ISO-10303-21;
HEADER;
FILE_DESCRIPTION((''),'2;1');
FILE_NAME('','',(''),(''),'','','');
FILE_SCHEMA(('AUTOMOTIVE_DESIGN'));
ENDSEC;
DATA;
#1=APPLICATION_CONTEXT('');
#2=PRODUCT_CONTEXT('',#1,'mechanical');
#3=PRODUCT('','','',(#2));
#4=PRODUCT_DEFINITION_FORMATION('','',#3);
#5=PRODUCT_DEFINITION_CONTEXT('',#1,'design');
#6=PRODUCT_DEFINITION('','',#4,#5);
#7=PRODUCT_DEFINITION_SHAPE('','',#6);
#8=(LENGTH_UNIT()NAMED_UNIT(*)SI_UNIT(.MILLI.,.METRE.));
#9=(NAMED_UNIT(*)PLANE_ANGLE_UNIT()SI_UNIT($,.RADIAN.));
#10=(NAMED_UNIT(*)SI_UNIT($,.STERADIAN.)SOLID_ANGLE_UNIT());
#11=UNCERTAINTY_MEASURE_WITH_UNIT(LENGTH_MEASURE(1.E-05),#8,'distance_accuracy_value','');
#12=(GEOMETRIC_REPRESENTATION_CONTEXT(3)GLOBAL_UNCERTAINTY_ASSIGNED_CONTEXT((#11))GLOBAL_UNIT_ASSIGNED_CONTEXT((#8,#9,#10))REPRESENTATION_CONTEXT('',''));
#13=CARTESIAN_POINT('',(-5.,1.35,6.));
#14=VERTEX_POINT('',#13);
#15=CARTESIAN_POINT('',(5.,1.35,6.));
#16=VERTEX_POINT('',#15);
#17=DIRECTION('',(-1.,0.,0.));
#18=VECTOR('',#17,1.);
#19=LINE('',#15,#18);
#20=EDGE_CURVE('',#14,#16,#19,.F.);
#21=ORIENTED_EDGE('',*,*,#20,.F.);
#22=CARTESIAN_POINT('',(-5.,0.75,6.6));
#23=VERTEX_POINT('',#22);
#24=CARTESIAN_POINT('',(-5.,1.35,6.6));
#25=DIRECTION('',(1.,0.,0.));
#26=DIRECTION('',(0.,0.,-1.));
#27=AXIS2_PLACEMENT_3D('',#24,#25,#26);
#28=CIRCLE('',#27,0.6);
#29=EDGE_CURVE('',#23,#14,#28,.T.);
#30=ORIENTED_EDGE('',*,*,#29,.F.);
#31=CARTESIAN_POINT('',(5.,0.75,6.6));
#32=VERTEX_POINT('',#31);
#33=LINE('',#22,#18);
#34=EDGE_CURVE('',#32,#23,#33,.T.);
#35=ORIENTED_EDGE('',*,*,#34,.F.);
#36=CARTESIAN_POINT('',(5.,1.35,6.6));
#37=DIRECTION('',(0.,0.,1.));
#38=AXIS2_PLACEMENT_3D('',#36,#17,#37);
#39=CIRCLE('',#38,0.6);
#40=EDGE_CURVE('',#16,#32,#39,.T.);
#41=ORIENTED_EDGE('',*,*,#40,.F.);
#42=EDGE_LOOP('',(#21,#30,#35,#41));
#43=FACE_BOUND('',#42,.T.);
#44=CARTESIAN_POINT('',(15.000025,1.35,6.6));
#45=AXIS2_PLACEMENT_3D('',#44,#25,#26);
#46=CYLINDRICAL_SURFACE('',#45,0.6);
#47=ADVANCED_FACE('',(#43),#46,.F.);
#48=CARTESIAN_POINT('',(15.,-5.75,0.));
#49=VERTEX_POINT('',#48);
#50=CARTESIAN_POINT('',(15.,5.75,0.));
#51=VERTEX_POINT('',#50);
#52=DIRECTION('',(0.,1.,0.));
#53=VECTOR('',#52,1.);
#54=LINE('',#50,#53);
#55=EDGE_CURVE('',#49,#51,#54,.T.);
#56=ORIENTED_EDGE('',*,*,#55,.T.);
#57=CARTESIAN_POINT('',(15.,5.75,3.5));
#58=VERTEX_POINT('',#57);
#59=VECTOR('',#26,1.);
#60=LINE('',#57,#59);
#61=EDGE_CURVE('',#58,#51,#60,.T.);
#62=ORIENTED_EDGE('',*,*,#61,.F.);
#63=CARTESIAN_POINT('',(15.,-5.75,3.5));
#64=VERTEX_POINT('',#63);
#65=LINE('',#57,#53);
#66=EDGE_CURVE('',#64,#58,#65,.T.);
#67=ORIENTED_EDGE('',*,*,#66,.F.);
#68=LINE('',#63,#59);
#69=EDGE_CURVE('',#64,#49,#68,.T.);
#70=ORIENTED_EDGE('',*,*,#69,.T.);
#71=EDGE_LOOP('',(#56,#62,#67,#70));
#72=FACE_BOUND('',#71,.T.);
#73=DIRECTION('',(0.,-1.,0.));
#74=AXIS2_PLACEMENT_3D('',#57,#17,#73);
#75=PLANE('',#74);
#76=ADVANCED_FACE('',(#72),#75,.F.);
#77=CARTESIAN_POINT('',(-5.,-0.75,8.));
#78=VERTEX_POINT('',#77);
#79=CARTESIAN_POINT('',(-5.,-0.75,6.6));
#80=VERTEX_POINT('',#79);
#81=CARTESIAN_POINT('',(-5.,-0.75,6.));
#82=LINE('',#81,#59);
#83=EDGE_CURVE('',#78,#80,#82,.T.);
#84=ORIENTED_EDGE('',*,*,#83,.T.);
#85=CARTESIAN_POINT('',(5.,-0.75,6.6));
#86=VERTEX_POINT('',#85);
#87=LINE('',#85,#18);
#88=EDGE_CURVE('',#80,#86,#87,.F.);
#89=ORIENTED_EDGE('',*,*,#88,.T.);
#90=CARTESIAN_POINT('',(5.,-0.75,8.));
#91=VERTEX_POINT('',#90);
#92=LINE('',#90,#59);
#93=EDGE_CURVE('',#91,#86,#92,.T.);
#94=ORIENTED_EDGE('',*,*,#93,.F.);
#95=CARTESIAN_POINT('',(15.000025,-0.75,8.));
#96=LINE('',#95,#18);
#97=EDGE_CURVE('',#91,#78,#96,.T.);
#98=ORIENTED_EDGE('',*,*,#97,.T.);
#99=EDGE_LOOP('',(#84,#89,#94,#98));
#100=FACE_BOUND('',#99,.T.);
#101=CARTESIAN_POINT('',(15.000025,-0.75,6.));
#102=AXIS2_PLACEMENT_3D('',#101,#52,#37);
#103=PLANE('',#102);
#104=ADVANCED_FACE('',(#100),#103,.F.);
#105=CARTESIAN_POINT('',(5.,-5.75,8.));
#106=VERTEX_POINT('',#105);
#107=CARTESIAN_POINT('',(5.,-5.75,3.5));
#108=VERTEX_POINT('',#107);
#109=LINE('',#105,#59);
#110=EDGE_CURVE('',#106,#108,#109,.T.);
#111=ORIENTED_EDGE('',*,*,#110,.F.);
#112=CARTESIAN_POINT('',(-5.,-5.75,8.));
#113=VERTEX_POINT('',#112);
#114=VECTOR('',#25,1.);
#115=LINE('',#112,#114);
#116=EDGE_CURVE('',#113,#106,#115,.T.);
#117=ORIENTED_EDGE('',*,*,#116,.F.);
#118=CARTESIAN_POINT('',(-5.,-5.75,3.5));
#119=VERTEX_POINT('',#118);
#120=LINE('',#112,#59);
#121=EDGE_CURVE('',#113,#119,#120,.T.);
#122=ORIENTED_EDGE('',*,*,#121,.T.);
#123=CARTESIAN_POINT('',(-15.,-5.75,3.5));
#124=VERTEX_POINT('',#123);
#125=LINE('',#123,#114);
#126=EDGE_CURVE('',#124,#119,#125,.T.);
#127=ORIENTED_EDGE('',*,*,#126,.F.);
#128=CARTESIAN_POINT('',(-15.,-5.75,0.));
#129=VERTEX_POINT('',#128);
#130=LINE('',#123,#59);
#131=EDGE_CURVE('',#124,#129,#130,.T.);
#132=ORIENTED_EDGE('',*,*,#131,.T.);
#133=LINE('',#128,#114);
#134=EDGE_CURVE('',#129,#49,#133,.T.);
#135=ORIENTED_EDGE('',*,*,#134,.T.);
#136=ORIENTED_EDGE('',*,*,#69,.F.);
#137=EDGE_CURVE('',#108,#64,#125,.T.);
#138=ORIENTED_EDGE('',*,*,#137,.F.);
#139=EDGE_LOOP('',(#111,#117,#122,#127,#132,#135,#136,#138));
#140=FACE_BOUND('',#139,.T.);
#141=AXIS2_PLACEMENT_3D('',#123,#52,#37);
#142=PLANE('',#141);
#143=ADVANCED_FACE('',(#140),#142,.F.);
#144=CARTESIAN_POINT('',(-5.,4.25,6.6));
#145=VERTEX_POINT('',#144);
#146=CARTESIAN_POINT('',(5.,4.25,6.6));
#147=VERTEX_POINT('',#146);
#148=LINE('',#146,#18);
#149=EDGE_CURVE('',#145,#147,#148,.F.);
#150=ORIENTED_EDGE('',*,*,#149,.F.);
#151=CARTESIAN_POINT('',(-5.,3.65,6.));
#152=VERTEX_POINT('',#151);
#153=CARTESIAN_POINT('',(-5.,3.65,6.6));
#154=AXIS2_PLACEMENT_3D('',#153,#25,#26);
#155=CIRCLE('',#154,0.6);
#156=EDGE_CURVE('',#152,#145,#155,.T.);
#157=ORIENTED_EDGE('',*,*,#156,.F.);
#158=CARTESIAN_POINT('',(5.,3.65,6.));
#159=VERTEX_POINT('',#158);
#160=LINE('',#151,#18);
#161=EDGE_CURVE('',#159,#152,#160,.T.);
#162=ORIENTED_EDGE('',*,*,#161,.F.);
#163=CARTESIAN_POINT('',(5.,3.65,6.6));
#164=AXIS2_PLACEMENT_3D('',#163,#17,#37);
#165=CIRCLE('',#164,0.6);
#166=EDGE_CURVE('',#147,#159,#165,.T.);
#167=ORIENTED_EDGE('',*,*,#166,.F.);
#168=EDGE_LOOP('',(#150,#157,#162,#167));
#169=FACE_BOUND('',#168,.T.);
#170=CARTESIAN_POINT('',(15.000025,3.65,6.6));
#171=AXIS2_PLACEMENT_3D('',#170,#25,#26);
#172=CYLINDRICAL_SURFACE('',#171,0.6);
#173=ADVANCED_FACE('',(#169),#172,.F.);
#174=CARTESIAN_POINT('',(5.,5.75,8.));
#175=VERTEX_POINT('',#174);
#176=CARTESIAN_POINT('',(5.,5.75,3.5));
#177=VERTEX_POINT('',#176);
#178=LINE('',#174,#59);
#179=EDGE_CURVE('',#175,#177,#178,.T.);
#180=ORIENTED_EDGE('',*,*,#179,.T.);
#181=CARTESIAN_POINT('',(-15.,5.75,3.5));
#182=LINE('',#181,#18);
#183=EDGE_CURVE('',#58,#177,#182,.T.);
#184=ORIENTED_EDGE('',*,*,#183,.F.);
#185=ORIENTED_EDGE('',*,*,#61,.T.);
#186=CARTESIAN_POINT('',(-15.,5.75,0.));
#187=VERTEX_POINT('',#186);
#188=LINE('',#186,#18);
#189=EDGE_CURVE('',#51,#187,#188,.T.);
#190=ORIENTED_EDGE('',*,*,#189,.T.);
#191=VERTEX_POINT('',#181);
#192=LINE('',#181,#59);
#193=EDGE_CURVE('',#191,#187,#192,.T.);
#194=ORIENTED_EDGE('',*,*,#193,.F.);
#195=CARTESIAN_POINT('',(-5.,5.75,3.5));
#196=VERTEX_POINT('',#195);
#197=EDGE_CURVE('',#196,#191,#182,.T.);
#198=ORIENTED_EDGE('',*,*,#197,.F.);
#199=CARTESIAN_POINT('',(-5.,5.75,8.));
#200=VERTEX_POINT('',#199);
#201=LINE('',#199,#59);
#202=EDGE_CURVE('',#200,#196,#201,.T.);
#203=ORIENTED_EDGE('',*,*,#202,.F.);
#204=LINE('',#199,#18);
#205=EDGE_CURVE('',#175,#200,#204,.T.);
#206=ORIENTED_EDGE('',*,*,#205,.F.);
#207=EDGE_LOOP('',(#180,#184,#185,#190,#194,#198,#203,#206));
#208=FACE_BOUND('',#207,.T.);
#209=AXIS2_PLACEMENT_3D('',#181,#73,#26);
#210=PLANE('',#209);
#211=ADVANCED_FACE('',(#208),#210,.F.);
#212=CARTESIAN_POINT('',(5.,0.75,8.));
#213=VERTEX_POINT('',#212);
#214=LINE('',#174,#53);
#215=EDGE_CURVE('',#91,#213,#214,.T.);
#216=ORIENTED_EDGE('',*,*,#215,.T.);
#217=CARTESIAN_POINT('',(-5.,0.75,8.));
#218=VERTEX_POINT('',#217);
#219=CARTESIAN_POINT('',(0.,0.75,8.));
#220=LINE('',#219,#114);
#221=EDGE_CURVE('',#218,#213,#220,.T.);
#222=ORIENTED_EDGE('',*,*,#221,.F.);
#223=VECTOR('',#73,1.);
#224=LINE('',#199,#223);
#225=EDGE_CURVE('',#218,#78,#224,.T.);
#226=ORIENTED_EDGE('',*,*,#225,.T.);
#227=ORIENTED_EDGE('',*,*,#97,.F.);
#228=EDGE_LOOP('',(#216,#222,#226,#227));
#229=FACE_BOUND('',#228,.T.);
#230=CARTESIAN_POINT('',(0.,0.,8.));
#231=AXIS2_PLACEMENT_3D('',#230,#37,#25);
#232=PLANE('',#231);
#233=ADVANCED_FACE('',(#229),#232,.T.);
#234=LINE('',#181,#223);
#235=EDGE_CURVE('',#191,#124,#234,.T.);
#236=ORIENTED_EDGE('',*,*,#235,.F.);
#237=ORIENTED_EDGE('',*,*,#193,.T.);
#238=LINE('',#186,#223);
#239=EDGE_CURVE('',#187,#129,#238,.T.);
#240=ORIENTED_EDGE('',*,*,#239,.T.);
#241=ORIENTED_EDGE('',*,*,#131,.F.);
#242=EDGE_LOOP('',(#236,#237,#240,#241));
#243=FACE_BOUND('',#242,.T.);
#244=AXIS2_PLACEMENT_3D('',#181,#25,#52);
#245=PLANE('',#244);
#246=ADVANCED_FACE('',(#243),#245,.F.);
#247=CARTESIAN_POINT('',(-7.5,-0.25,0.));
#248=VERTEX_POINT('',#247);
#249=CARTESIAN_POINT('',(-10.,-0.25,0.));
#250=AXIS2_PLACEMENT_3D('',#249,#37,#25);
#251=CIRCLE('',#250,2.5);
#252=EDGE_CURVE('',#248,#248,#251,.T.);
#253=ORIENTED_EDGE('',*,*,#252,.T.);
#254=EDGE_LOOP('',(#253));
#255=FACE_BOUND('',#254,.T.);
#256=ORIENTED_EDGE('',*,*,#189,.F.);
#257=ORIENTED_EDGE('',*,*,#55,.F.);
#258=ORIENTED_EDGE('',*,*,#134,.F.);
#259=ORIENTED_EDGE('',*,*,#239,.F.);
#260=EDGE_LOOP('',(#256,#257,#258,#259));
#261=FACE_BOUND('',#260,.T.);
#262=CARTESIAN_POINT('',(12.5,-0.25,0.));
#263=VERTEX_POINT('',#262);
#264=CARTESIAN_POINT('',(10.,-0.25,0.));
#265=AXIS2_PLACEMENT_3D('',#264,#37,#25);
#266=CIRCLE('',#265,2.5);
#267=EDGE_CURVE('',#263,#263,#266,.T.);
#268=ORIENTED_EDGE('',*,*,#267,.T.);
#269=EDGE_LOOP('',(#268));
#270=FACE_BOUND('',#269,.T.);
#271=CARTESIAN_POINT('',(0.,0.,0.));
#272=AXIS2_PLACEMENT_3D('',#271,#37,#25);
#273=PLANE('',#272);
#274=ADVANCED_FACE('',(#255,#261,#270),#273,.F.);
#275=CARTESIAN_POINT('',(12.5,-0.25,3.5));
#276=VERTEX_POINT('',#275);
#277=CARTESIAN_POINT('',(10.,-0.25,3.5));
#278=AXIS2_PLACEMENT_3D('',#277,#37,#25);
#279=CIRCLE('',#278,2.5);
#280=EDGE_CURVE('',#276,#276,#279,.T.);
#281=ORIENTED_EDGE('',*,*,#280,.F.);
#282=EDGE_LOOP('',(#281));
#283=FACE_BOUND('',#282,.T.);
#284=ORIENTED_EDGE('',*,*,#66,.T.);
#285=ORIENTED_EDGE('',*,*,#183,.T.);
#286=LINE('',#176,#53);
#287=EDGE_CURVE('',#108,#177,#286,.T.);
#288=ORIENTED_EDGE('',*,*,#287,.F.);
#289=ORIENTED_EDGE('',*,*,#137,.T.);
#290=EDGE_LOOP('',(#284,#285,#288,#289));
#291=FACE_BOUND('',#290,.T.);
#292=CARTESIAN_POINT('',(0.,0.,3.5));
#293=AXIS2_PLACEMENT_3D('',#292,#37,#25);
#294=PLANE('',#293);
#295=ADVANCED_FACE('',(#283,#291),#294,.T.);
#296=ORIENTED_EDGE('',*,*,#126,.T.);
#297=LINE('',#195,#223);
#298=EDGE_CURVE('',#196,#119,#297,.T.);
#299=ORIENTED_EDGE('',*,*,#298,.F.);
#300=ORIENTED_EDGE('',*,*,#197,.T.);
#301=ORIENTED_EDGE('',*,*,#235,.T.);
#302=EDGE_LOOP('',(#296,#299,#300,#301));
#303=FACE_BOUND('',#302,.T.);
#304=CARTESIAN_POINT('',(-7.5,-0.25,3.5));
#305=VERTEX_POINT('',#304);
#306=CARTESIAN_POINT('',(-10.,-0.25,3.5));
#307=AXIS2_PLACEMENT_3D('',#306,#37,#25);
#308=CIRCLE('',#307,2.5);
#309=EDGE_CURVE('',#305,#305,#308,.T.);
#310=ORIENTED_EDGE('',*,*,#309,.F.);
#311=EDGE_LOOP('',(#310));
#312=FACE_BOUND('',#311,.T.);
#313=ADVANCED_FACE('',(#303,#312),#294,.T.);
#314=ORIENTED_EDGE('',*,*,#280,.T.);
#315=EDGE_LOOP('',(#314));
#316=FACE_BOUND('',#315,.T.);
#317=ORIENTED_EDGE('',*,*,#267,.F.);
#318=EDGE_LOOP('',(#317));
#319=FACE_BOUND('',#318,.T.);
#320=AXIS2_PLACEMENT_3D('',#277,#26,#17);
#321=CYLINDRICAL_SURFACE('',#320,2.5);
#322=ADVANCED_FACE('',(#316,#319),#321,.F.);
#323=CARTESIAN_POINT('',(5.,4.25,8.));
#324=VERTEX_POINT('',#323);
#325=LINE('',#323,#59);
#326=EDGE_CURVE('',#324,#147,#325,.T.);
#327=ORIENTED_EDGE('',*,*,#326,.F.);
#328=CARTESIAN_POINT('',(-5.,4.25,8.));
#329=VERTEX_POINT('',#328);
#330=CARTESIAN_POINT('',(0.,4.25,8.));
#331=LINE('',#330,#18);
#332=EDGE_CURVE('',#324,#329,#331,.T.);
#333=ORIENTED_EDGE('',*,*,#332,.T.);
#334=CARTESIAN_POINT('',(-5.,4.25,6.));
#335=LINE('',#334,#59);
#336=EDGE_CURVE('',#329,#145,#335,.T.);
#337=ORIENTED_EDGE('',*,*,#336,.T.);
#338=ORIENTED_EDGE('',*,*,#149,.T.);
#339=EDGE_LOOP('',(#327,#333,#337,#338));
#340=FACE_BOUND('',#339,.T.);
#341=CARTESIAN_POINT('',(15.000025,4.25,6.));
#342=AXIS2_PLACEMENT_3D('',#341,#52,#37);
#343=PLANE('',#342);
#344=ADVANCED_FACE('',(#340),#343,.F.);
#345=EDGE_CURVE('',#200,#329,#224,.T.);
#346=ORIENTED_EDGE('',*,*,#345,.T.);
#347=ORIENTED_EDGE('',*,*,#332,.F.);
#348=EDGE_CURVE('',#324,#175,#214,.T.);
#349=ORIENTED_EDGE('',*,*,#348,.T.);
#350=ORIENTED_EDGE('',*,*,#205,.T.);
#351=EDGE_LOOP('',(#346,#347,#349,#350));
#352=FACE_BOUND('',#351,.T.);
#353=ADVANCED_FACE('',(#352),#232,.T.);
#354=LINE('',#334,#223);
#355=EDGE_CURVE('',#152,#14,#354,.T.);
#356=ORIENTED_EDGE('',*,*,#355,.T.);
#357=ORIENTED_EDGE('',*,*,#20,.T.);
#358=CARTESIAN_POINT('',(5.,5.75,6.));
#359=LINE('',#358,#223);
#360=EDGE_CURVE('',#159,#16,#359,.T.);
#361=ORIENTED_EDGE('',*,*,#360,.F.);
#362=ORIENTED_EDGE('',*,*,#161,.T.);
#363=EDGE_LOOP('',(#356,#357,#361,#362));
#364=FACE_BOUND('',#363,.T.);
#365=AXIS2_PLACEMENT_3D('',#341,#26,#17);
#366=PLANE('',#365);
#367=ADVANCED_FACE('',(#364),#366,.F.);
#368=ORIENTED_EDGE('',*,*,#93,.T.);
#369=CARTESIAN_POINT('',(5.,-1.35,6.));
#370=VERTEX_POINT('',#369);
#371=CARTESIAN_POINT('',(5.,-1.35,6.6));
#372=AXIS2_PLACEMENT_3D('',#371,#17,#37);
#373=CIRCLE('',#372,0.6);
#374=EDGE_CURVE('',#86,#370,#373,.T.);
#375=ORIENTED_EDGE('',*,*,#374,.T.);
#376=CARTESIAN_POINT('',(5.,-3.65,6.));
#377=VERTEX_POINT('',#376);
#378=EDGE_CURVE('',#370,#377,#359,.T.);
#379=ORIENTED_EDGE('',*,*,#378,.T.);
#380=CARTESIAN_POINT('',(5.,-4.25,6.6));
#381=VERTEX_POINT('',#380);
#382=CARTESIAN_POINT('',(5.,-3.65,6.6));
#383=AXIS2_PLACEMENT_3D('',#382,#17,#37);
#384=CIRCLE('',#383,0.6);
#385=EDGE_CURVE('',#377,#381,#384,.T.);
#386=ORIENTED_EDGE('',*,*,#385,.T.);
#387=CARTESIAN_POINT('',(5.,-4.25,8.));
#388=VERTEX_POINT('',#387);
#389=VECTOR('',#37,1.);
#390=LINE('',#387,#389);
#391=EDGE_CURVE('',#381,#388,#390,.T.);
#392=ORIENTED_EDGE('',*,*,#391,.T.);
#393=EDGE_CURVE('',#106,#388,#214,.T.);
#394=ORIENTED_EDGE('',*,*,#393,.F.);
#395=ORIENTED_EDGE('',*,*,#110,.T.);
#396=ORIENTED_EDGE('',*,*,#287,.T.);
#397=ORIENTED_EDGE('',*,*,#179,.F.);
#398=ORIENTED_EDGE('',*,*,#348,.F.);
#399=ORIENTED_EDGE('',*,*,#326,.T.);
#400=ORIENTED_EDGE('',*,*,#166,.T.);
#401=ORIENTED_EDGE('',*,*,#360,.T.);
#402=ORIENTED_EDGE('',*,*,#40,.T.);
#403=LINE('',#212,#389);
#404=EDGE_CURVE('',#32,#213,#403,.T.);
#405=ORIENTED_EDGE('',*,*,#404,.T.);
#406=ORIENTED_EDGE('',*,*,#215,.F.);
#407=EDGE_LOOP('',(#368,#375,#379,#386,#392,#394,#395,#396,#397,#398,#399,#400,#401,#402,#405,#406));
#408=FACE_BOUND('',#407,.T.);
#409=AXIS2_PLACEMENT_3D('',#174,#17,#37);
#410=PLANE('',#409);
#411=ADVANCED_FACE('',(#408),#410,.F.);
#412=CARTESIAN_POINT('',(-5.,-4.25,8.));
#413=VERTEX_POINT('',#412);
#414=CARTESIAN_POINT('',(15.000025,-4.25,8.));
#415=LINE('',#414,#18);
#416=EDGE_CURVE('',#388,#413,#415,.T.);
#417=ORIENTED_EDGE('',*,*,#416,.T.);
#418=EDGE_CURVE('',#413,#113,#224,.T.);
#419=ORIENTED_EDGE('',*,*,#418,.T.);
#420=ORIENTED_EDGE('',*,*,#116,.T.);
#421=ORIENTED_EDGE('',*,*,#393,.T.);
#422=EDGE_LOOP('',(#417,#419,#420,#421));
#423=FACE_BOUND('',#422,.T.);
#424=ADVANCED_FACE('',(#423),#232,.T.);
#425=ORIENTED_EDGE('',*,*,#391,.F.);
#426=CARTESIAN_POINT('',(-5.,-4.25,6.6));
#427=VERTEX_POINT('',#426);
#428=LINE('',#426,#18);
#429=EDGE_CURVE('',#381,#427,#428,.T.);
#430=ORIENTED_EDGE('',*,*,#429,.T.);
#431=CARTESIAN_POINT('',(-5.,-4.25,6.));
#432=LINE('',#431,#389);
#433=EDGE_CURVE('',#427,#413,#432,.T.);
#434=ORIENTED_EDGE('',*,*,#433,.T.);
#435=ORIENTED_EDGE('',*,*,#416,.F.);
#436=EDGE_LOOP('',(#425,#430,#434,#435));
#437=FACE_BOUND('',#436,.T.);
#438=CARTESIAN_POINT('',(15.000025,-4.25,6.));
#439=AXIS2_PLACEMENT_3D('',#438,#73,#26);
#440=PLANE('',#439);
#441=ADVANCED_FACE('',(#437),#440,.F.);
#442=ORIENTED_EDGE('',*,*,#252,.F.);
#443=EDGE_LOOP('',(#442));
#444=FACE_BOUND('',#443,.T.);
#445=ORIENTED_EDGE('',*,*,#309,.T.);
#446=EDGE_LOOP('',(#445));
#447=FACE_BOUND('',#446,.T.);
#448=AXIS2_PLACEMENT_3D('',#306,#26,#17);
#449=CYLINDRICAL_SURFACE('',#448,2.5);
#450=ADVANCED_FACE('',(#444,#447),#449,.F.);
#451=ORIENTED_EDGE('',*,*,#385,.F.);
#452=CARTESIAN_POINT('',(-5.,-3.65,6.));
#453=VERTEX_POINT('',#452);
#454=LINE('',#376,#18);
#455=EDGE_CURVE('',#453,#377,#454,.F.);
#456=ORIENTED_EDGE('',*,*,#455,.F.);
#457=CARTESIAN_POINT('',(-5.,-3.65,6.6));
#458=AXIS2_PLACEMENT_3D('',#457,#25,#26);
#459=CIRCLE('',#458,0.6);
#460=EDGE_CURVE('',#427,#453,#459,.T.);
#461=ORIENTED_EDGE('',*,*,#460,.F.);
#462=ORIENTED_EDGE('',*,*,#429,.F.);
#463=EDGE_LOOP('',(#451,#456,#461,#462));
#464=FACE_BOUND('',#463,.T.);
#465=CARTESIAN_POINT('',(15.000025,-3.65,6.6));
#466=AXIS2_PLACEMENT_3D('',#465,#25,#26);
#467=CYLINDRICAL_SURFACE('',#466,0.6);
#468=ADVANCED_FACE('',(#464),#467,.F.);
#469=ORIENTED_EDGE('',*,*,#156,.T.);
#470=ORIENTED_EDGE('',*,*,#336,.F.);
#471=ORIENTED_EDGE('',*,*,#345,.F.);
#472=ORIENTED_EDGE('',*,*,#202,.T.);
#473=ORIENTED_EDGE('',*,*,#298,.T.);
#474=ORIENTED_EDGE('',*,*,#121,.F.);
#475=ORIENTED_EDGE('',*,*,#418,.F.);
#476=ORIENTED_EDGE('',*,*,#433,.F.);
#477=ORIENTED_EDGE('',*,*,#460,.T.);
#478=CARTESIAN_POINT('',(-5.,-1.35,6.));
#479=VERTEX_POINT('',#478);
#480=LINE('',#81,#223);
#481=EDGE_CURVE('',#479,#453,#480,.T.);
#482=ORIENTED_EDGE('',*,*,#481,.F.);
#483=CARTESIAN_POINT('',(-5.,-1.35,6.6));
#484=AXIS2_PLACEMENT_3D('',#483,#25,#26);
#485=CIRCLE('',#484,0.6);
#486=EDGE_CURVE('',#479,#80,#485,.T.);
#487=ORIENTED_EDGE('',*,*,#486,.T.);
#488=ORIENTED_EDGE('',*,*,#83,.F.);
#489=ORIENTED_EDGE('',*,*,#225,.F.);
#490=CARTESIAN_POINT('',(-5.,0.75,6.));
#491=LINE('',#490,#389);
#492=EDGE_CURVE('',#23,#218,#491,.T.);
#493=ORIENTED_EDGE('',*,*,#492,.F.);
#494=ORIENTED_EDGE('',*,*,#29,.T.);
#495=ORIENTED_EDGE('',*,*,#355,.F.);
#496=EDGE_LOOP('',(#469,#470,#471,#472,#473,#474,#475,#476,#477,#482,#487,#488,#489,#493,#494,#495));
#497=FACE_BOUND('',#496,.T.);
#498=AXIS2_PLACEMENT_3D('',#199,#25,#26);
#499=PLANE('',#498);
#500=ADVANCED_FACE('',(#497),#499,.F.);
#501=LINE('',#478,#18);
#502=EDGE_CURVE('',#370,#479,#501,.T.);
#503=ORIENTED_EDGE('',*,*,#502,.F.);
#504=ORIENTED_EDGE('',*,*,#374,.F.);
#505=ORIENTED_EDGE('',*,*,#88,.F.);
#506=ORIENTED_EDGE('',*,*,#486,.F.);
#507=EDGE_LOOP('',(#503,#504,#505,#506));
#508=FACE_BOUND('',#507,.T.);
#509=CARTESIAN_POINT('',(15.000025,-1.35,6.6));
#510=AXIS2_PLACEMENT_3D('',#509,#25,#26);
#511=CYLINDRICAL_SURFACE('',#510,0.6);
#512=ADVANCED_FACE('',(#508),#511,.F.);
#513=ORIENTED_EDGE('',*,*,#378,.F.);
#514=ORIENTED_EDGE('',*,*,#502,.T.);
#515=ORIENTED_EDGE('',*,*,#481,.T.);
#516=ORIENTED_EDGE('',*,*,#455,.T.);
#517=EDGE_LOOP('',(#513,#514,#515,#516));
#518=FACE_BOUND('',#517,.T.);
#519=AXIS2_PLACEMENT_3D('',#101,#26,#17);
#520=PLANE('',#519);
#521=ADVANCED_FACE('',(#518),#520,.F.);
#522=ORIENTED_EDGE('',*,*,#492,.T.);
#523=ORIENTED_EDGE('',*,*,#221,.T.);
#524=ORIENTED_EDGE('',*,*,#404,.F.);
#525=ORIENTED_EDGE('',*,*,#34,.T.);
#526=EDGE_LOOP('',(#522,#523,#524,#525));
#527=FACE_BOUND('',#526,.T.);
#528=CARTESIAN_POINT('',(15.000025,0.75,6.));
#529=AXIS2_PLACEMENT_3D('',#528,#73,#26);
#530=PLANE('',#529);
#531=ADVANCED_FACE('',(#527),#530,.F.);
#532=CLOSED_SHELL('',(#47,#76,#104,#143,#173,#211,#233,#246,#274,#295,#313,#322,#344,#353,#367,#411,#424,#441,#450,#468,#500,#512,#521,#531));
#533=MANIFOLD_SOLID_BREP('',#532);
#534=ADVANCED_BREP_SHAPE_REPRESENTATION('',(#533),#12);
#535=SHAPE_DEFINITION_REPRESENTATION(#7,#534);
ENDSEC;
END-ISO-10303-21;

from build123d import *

# Parameters (mm, degrees)
SKETCH1_W              = 30
SKETCH1_H              = 11.5
SKETCH1_R              = 2.5
BOSS_EXTRUDE1_DEPTH    = 3.5
SKETCH2_W              = 10
SKETCH2_H              = 11.5
BOSS_EXTRUDE2_DEPTH    = 4.5
SKETCH3_W              = 2
SKETCH3_H              = 3.5
CUT_EXTRUDE1_DEPTH     = 23.29489852
FILLET1_R              = 0.6
LPATTERN1_COUNT        = 2
LPATTERN1_PITCH        = 5
FILLET1_OF_LPATTERN1_R = 0.6


with BuildPart() as part:
    # Sketch1 → Boss-Extrude1 (new body)
    with BuildSketch(Plane.XY):
        Rectangle(SKETCH1_W, SKETCH1_H)
        with Locations((-10, -0.25)):
            Circle(SKETCH1_R, mode=Mode.SUBTRACT)
        with Locations((10, -0.25)):
            Circle(SKETCH1_R, mode=Mode.SUBTRACT)
    extrude(amount=BOSS_EXTRUDE1_DEPTH)

    # Sketch2 → Boss-Extrude2 (add)
    with BuildSketch(Plane.XY.offset(3.5)):
        Rectangle(SKETCH2_W, SKETCH2_H)
    extrude(amount=BOSS_EXTRUDE2_DEPTH)

    # Sketch3 → Cut-Extrude1 (cut, through all)
    with BuildSketch(Plane.ZY.offset(5)):
        with Locations((7, 2.5)):
            Rectangle(SKETCH3_W, SKETCH3_H)
    cut_extrude1 = extrude(amount=-CUT_EXTRUDE1_DEPTH, mode=Mode.SUBTRACT)

    # Fillet1
    fillet1_edges = [part.edges().sort_by_distance(p)[0] for p in [
        (0, 0.75, 6),
        (0, 4.25, 6),
    ]]
    fillet(fillet1_edges, radius=FILLET1_R)

    # LPattern1: Cut-Extrude1 ×2
    with Locations(*[(0, -i * LPATTERN1_PITCH, 0) for i in range(1, LPATTERN1_COUNT)]):
        add(cut_extrude1, mode=Mode.SUBTRACT)

    # Fillet1 of LPattern1
    fillet1_of_lpattern1_edges = [part.edges().sort_by_distance(p)[0] for p in [
        (0, -4.25, 6),
        (0, -0.75, 6),
    ]]
    fillet(fillet1_of_lpattern1_edges, radius=FILLET1_OF_LPATTERN1_R)


solid = part.part
